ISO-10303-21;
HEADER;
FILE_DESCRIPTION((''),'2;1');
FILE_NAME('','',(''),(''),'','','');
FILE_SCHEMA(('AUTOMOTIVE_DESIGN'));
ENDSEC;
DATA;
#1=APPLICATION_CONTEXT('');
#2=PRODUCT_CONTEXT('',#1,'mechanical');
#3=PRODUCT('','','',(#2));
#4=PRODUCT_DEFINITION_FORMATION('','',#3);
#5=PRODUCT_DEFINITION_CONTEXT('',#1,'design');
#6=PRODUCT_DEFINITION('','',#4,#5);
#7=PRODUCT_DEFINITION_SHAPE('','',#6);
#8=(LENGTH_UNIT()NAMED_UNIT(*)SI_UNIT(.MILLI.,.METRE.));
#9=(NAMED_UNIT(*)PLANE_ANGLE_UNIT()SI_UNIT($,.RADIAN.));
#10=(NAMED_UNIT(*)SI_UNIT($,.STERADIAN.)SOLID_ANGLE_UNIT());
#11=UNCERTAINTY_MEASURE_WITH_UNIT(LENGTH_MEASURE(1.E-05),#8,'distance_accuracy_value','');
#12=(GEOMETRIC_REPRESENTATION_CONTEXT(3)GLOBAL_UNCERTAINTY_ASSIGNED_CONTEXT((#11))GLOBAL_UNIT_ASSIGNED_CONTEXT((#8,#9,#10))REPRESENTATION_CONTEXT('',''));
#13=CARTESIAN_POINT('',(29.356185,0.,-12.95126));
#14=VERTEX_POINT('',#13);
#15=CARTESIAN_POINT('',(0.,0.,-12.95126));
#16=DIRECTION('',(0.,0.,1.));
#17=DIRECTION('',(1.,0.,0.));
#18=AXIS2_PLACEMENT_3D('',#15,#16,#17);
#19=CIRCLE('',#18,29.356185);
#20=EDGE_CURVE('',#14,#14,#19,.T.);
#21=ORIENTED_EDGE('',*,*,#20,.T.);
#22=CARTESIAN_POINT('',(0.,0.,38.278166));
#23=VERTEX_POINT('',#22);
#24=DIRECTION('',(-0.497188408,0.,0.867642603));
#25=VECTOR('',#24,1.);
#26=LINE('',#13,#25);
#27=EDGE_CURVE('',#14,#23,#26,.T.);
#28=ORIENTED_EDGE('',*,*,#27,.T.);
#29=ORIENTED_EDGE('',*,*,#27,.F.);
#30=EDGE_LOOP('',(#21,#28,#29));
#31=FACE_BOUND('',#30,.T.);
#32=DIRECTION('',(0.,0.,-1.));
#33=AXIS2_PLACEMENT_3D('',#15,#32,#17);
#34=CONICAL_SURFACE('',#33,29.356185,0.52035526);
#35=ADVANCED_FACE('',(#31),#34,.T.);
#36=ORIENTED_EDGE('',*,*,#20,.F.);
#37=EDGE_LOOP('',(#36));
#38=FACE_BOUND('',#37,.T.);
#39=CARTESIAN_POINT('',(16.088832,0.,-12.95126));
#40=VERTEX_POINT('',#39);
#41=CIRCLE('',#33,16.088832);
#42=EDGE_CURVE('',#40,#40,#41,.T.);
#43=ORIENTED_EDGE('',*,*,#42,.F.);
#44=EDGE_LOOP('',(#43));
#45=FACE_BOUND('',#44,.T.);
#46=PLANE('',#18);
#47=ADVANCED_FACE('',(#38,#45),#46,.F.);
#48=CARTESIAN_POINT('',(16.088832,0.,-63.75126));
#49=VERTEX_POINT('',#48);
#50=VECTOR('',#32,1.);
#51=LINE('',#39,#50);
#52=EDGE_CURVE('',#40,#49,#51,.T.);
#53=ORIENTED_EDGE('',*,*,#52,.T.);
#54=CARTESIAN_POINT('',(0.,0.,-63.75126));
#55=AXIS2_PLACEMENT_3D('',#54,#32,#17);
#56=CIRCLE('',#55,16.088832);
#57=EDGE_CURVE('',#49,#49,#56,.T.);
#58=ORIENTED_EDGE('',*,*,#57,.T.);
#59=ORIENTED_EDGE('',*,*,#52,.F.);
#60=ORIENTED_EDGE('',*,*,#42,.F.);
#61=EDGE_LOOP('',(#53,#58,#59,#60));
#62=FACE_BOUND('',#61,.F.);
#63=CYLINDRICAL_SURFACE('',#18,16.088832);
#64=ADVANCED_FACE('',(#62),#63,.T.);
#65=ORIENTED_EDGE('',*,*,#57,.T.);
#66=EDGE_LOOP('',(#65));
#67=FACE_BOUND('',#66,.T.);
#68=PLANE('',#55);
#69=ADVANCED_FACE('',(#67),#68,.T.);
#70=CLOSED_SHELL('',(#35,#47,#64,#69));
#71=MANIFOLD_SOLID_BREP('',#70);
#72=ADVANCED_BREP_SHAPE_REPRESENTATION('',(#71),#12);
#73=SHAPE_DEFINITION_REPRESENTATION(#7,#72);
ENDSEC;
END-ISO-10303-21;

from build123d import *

# Parameters (mm, degrees)
F2_R     = 16.088832
F3_DEPTH = 50.8


with BuildPart() as f1:
    # F0 (on Front) → F1 (revolve)
    with BuildSketch(Plane.XZ):
        Polygon((29.356185, -12.95126), (0, 38.278166), (0, -12.95126), align=None)
    revolve(axis=Axis((0, 0, 12.663453), (0, 0, 1)))

    # F2 (on face) → F3 (join)
    with BuildSketch(Plane(origin=(0, 0, -12.95126), x_dir=(1, 0, 0), z_dir=(0, 0, -1))):
        Circle(F2_R)
    extrude(amount=F3_DEPTH)


solid = f1.part
